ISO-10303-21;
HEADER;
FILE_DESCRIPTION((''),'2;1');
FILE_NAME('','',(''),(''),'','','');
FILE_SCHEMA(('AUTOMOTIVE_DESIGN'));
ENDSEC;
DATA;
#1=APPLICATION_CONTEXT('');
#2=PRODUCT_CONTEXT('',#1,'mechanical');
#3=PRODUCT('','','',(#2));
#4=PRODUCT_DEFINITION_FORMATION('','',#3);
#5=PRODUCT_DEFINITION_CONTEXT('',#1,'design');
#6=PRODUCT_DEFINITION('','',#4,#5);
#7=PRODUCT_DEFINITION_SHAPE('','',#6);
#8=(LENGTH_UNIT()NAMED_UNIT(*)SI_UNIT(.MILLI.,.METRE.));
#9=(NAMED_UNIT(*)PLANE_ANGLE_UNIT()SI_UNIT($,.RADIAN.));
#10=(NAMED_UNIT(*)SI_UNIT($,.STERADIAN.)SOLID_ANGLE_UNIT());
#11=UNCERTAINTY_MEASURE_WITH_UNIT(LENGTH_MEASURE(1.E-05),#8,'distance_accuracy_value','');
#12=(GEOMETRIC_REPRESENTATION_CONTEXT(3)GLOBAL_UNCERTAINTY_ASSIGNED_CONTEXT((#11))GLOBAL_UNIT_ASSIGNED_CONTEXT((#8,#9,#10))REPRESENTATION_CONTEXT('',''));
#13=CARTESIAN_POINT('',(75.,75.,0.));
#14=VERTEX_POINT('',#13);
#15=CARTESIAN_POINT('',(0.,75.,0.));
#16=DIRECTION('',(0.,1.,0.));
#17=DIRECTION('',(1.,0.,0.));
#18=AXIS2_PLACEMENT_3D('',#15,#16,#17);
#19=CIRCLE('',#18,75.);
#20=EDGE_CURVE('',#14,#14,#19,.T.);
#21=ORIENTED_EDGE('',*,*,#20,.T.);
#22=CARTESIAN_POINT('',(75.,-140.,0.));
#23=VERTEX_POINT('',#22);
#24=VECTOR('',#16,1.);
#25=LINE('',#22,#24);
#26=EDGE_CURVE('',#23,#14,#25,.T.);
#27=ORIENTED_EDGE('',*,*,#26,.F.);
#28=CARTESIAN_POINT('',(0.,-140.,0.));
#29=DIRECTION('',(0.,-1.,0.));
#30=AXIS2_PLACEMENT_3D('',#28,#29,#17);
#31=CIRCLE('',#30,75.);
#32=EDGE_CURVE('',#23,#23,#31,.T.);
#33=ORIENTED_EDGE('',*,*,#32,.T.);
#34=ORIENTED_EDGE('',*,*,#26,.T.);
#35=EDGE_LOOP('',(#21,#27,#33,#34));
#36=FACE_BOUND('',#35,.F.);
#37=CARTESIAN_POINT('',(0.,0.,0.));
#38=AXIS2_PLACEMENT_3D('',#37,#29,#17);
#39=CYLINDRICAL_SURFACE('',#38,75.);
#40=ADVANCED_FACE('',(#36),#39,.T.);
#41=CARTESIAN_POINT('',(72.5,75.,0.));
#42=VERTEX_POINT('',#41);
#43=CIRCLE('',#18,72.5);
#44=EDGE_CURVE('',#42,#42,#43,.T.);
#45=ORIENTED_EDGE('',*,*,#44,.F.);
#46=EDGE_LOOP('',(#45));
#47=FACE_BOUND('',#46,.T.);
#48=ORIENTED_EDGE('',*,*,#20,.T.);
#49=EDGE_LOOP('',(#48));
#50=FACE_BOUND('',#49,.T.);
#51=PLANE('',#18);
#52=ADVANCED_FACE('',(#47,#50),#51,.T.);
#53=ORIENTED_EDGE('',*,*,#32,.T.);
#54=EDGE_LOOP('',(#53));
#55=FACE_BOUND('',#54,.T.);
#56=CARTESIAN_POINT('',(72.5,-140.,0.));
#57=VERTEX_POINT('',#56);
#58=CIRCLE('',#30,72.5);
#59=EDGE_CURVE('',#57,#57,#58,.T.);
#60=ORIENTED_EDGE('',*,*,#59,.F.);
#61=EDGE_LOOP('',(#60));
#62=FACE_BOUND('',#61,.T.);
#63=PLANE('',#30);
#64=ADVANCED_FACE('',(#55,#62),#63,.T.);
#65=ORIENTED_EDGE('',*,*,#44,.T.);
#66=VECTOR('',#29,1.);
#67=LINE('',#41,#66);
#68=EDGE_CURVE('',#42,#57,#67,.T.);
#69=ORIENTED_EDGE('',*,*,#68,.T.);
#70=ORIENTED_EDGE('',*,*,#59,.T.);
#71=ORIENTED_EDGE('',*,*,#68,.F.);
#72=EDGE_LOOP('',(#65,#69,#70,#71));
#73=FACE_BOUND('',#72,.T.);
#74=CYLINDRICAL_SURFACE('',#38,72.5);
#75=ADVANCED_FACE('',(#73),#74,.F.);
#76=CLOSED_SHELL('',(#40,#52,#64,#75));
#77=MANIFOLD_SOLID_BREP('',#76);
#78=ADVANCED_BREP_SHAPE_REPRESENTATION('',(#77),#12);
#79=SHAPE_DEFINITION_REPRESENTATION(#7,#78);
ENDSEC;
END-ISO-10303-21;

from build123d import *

# Parameters (mm, degrees)
F0_R        = 75
F0_R_2      = 72.5
F1_DEPTH    = 140
F1_FACE_R   = 75
F1_FACE_R_2 = 72.5
F2_DEPTH    = 75


with BuildPart() as f1:
    # F0 (on Front) → F1 (new body)
    with BuildSketch(Plane.XZ):
        Circle(F0_R)
        Circle(F0_R_2, mode=Mode.SUBTRACT)
    extrude(amount=F1_DEPTH)

    # F1_face (on face) → F2 (join)
    with BuildSketch(Plane(origin=(0, 0, 0), x_dir=(1, 0, 0), z_dir=(0, 1, 0))):
        Circle(F1_FACE_R)
        Circle(F1_FACE_R_2, mode=Mode.SUBTRACT)
    extrude(amount=F2_DEPTH)


solid = f1.part
